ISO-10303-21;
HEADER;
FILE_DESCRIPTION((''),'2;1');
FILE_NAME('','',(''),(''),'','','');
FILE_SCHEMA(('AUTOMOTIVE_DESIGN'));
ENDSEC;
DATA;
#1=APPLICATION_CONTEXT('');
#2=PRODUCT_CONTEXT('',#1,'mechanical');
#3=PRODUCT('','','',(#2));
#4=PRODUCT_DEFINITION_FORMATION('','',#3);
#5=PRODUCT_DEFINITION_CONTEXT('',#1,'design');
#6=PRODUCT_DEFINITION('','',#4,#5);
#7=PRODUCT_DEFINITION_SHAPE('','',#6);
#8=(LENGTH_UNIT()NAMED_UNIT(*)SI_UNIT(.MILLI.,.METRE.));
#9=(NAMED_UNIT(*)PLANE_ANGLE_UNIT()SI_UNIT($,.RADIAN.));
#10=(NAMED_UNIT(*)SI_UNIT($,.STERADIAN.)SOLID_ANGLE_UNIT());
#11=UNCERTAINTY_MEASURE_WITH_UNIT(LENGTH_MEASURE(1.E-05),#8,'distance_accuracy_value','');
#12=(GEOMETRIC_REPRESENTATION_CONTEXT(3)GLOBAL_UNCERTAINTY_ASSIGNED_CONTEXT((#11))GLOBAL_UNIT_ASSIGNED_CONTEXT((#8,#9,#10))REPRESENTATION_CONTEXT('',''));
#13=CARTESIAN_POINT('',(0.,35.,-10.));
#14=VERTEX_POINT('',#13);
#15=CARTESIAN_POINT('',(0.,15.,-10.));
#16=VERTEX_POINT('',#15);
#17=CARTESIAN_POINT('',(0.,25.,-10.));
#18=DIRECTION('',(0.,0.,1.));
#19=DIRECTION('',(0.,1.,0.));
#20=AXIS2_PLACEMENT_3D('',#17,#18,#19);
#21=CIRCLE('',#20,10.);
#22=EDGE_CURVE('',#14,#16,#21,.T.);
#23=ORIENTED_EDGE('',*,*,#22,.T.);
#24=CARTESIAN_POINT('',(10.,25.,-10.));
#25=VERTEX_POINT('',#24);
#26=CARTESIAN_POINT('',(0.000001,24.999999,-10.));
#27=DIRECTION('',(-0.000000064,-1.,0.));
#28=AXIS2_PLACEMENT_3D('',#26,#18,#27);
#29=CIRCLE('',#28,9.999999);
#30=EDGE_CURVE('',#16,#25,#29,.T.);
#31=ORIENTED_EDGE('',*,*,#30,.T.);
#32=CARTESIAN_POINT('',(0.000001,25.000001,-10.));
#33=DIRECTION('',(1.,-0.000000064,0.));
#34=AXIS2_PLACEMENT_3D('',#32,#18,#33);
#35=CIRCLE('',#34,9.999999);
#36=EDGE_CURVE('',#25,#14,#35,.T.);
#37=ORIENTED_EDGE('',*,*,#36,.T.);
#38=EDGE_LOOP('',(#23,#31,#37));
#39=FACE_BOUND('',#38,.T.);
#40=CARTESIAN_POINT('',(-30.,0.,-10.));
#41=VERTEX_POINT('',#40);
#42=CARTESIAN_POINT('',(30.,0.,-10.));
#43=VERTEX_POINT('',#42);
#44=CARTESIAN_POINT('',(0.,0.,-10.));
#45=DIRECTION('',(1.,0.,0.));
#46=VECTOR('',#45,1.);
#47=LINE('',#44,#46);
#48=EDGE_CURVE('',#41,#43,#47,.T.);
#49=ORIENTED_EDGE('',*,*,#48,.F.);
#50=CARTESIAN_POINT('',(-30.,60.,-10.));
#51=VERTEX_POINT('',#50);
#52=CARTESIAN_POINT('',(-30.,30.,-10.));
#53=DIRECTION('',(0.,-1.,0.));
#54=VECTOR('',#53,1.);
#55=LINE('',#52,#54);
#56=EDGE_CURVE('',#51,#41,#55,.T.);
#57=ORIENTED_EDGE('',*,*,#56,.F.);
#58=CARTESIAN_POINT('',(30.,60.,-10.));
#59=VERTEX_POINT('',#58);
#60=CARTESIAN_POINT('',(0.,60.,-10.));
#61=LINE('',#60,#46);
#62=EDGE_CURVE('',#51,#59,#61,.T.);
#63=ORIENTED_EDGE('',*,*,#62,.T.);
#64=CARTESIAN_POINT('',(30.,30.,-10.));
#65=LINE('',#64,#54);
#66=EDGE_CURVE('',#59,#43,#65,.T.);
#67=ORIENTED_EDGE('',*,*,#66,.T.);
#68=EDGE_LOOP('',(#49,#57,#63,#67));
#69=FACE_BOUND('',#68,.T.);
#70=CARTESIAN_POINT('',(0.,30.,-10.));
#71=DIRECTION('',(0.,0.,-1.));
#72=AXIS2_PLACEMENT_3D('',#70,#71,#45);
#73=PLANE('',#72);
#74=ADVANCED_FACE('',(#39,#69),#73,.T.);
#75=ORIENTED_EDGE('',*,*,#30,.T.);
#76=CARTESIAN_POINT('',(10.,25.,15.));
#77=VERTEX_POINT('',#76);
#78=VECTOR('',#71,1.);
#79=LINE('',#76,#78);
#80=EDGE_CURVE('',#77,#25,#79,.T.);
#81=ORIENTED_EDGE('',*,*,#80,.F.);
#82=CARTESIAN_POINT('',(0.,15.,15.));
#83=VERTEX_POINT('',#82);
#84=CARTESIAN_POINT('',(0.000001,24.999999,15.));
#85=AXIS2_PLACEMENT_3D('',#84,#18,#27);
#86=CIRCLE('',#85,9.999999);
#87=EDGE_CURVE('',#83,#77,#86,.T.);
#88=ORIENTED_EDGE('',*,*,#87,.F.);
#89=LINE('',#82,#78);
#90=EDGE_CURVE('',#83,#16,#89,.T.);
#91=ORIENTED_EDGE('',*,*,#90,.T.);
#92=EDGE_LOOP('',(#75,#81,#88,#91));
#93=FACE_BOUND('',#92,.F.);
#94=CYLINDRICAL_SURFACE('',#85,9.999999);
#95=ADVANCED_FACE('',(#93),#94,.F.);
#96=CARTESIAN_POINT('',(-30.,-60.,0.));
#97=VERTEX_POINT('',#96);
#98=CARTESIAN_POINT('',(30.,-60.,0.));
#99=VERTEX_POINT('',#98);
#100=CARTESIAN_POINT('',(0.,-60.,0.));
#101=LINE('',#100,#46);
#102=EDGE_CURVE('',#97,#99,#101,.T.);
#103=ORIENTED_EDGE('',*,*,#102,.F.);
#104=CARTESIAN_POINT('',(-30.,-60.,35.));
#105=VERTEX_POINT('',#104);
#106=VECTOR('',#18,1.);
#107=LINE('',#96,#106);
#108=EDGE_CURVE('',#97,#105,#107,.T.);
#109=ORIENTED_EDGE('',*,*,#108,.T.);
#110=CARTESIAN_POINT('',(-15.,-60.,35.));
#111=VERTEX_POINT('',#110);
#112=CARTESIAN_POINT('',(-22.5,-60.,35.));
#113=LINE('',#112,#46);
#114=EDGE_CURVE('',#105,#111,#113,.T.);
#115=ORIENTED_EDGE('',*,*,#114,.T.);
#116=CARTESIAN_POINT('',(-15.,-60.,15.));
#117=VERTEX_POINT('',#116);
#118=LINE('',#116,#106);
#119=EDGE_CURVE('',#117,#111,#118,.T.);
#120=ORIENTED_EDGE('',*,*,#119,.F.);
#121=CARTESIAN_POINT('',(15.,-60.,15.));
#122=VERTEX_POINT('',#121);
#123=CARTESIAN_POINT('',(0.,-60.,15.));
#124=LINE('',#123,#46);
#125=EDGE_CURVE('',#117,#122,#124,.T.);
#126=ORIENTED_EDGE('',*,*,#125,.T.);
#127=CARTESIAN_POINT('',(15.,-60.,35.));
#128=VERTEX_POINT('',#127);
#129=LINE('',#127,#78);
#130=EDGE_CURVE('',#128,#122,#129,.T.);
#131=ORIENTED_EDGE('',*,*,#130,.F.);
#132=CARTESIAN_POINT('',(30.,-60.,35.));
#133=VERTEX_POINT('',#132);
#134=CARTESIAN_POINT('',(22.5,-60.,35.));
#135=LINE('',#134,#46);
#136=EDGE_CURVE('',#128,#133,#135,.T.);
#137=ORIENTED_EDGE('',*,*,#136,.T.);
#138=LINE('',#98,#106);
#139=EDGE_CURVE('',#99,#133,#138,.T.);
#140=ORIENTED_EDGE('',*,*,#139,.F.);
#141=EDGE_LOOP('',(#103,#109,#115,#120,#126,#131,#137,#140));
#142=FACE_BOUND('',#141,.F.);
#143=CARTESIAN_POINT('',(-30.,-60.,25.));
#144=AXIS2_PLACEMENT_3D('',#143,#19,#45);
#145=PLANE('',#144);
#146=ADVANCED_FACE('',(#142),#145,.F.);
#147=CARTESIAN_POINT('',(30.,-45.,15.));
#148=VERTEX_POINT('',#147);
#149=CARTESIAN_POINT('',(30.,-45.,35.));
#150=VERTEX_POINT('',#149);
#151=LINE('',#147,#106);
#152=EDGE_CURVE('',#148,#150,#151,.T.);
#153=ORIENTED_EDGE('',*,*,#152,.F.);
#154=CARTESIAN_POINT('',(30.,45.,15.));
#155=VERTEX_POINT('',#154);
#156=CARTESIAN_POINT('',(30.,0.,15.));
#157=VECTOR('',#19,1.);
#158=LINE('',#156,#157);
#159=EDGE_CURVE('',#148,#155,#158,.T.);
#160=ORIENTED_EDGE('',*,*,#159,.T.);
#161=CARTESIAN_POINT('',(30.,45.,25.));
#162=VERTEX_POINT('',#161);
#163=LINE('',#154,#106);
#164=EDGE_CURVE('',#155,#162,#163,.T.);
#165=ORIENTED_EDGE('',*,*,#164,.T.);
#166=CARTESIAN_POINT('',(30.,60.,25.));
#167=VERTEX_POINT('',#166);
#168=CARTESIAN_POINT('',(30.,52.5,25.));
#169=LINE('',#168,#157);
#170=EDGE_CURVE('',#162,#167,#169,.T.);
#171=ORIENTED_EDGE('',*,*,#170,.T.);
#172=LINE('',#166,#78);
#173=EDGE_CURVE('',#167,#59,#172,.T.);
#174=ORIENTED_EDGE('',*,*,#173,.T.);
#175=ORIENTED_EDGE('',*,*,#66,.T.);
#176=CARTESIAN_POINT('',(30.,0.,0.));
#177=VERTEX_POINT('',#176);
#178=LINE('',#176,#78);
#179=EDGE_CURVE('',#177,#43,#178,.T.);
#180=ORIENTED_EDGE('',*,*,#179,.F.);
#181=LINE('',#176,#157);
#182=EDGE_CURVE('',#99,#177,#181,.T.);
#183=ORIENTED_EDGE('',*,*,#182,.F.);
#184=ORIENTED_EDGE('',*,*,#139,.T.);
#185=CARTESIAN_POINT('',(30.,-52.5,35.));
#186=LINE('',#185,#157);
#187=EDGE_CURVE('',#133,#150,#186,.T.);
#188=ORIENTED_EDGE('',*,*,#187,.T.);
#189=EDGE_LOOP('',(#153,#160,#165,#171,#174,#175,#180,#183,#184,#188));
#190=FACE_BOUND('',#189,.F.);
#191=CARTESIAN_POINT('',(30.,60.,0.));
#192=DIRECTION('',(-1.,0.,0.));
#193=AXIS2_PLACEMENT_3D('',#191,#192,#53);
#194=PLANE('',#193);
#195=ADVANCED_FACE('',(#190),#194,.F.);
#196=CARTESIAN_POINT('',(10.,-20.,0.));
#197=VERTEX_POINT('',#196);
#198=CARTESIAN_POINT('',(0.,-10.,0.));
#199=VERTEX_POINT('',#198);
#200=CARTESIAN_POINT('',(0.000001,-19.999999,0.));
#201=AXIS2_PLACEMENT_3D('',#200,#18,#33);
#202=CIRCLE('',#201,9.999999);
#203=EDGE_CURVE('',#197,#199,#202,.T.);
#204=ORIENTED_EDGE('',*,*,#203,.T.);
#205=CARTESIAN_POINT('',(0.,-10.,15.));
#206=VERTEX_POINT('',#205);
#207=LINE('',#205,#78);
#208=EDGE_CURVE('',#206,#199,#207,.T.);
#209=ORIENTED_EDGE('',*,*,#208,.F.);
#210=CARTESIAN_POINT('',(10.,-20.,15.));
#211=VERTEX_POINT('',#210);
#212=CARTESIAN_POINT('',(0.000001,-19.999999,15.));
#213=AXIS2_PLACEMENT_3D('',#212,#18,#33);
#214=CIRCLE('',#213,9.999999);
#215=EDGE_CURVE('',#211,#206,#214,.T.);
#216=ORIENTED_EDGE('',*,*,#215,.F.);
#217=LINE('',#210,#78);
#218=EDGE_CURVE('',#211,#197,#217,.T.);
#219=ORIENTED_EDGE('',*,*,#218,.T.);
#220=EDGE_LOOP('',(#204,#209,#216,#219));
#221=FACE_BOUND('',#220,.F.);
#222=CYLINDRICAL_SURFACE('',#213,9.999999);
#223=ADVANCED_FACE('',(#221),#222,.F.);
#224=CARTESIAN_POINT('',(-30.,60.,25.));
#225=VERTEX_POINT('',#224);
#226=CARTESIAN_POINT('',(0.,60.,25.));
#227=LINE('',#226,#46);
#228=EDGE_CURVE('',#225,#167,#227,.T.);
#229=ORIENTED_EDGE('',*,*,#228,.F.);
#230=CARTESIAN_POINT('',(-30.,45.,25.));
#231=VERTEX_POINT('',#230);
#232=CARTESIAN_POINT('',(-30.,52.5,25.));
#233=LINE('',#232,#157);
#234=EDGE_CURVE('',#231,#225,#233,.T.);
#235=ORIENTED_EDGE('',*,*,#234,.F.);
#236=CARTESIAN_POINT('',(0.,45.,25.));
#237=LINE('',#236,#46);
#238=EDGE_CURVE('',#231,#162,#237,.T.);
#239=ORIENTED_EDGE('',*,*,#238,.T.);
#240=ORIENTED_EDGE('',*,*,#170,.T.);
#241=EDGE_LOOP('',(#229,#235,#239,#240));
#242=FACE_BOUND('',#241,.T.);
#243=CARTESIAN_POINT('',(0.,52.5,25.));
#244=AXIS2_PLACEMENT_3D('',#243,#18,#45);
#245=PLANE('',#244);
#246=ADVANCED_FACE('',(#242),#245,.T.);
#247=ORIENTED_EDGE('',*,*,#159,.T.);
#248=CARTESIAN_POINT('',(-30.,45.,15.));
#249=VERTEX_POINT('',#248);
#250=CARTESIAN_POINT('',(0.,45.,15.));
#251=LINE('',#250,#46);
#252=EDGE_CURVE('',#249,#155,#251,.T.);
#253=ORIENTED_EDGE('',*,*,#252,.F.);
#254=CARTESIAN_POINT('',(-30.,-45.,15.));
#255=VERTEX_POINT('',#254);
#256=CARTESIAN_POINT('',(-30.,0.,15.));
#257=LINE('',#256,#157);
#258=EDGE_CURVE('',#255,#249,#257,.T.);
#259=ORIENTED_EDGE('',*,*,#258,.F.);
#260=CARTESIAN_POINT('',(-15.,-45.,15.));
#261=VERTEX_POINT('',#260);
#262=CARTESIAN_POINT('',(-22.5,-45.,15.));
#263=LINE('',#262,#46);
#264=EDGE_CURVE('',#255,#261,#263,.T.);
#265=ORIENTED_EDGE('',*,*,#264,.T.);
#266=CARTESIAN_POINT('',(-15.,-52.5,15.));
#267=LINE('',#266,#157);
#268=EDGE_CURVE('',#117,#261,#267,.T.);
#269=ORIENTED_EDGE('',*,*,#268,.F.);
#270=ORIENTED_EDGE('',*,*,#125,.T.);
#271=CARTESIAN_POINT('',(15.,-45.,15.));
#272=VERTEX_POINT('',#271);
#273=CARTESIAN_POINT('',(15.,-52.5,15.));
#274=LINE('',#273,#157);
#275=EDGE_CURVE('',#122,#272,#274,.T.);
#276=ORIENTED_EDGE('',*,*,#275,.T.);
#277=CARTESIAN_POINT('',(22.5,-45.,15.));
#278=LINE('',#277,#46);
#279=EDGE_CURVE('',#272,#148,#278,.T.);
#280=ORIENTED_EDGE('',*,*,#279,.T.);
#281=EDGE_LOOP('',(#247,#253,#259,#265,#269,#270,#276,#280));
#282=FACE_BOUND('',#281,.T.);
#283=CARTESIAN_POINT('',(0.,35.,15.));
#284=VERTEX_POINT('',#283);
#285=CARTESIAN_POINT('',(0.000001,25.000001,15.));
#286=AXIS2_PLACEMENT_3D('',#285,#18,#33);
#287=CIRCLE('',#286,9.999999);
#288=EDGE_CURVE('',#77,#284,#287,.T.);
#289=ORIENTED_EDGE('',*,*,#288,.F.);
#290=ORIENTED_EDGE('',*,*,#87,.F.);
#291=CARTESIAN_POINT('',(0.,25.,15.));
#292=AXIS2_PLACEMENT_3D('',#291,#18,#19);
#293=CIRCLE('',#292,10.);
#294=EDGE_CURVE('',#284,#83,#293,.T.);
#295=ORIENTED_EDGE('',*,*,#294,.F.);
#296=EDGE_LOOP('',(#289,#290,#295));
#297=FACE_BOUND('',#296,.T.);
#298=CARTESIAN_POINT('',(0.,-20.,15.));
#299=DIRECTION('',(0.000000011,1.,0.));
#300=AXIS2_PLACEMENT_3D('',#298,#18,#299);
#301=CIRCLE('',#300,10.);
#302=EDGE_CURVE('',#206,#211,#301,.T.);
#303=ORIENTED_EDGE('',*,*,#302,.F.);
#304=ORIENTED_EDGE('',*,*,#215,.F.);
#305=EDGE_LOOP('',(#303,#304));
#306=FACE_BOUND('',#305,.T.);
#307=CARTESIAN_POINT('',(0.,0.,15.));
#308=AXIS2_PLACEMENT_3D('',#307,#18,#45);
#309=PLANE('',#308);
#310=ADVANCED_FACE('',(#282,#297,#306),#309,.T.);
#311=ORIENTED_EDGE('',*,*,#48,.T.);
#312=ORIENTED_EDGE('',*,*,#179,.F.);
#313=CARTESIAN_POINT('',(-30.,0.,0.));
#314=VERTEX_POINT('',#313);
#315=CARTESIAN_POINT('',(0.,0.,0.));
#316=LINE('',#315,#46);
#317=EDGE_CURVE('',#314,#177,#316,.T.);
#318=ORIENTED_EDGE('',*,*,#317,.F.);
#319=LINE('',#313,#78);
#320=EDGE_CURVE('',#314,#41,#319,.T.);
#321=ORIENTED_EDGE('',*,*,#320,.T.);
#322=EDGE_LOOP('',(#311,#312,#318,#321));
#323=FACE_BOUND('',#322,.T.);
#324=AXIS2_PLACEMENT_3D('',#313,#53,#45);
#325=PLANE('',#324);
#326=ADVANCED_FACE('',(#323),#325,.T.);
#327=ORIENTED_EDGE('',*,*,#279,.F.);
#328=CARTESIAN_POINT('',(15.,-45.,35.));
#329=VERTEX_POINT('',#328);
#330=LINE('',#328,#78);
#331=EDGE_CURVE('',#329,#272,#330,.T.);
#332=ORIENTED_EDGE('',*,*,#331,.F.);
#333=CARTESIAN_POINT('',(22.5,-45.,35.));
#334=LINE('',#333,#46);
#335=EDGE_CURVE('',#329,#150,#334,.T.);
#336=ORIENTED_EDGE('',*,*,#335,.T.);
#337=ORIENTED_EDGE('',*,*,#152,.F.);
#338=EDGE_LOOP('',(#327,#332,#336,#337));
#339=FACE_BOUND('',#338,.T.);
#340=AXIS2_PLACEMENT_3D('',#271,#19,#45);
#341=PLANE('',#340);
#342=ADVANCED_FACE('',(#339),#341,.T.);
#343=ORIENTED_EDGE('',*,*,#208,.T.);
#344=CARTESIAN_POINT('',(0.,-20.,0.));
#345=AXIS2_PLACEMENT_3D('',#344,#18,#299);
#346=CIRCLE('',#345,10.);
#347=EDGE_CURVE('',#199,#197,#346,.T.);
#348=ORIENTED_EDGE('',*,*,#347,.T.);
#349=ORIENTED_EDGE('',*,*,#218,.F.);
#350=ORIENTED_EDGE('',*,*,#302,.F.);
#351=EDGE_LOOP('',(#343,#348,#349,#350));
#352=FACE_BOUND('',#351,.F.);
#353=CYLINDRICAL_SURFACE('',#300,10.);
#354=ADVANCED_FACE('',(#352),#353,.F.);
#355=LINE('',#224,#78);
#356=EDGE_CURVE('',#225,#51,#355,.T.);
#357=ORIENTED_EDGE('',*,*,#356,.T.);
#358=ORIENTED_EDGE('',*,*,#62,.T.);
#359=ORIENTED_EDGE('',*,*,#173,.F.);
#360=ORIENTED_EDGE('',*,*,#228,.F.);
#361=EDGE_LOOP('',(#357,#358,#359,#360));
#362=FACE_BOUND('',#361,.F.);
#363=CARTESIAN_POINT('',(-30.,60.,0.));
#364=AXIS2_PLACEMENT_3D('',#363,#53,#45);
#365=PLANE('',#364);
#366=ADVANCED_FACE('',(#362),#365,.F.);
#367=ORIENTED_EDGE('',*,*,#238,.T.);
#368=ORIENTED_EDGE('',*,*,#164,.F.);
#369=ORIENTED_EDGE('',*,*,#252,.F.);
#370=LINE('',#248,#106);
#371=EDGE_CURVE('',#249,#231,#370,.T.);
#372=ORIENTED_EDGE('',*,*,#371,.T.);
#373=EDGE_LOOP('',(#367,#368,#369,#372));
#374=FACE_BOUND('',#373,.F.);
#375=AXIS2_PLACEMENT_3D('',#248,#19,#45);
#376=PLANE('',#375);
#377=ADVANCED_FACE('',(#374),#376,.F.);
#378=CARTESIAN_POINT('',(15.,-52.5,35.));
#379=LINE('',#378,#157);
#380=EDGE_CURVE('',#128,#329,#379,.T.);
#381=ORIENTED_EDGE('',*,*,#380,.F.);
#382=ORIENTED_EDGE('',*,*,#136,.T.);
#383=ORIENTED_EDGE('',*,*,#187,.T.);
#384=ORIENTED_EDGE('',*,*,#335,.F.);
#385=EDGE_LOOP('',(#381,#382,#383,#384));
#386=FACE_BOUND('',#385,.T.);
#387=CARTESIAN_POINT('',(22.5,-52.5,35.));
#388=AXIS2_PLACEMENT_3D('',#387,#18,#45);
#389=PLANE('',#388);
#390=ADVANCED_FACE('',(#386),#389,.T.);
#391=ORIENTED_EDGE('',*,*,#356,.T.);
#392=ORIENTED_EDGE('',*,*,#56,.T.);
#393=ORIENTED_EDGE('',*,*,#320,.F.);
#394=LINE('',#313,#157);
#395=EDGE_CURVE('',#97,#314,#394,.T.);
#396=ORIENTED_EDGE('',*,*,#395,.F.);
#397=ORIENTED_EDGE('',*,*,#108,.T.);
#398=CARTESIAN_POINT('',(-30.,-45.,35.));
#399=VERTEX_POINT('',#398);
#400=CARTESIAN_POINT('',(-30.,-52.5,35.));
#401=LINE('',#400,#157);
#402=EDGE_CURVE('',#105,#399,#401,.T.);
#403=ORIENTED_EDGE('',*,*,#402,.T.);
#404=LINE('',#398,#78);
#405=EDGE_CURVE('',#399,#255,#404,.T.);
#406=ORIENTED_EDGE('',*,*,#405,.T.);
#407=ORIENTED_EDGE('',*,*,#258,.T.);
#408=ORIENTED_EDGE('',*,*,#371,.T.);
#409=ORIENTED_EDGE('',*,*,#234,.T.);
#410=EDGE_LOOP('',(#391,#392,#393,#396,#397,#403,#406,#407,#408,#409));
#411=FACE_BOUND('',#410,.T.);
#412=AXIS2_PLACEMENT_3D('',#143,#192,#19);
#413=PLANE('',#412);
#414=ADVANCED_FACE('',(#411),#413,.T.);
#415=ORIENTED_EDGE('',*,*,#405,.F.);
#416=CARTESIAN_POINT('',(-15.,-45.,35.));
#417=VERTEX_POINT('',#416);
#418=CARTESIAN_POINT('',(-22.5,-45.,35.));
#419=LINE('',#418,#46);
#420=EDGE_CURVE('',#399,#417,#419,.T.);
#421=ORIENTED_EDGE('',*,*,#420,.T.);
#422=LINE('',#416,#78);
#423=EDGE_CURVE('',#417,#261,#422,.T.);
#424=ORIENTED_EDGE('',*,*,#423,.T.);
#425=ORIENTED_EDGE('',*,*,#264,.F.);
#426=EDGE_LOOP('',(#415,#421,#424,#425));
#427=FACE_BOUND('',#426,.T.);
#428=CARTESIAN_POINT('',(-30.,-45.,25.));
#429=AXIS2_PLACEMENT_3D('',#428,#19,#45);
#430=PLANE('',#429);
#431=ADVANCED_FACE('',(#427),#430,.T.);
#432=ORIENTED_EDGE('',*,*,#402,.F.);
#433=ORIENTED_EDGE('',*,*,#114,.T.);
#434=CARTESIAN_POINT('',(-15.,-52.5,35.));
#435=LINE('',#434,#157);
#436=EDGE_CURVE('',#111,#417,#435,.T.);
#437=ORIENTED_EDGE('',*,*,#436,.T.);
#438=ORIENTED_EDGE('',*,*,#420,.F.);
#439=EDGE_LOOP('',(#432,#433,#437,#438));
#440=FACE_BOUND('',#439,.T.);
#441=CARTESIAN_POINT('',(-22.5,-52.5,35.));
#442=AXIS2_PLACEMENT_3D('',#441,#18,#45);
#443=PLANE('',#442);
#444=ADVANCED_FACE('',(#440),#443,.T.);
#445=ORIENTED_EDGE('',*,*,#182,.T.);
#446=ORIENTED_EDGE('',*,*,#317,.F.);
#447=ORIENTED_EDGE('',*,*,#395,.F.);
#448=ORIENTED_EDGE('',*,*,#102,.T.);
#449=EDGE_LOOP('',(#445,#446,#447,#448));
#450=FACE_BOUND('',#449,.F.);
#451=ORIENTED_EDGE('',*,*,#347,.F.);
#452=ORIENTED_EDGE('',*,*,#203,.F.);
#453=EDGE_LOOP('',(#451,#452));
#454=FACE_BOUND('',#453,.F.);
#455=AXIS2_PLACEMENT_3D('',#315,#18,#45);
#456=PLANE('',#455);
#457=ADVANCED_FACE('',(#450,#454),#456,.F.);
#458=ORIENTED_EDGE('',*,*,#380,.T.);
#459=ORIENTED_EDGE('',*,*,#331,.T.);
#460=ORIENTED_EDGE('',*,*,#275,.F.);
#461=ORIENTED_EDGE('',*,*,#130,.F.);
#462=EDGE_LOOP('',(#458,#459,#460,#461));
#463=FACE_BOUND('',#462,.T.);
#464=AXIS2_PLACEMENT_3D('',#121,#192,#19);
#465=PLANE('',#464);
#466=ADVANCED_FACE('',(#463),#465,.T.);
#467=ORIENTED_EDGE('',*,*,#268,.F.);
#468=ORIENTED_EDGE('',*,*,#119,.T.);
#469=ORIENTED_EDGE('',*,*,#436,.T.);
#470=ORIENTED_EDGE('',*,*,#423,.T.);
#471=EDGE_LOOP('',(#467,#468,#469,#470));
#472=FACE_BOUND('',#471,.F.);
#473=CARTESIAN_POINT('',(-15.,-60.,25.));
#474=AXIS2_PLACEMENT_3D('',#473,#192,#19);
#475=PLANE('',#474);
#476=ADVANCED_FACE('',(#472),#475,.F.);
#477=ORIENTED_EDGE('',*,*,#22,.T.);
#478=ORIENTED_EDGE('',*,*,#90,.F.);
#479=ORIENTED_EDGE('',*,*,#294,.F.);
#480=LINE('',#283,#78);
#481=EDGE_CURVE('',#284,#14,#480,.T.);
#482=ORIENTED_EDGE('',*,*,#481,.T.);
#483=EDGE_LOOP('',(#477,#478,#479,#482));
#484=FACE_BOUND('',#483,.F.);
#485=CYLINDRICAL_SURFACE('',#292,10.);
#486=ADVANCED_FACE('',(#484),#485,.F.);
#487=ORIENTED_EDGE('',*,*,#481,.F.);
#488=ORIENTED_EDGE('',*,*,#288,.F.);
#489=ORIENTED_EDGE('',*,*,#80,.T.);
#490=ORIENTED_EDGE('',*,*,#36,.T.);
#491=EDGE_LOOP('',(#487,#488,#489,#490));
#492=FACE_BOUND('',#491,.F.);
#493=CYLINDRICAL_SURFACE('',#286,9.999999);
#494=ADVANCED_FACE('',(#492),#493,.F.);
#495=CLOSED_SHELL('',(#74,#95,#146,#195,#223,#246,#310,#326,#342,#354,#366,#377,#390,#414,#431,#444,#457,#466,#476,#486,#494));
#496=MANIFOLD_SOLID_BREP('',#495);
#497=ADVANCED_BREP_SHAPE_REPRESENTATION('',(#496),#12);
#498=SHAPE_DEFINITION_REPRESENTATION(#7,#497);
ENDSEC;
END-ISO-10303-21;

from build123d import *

# Parameters (mm, degrees)
F0_W      = 60
F0_H      = 120
F1_DEPTH  = 15
F2_W      = 60
F2_H      = 15
F3_DEPTH  = 10
F4_W      = 15
F4_H      = 15
F5_DEPTH  = 10
F6_W      = 60
F6_H      = 60
F7_DEPTH  = 10
F5_FACE_W = 15
F5_FACE_H = 15
F8_DEPTH  = 10
F10_DEPTH = 52.8


with BuildPart() as f1:
    # F0 (on Top) → F1 (new body)
    with BuildSketch(Plane.XY):
        Rectangle(F0_W, F0_H)
    extrude(amount=F1_DEPTH)

    # F2 (on face) → F3 (join)
    with BuildSketch(Plane.XY.offset(15)):
        with Locations((0, 52.5)):
            Rectangle(F2_W, F2_H)
    extrude(amount=F3_DEPTH)

    # F4 (on face) → F5 (join)
    with BuildSketch(Plane.XY.offset(15)):
        with Locations((-22.5, -52.5)):
            Rectangle(F4_W, F4_H)
        with Locations((22.5, -52.5)):
            Rectangle(F4_W, F4_H)
    extrude(amount=F5_DEPTH)

    # F6 (on face) → F7 (join)
    with BuildSketch(Plane(origin=(0, 0, 0), x_dir=(1, 0, 0), z_dir=(0, 0, -1))):
        with Locations((0, -30)):
            Rectangle(F6_W, F6_H)
    extrude(amount=F7_DEPTH)

    # F5_face (on face) → F8 (join)
    with BuildSketch(Plane(origin=(-22.5, -52.5, 25), x_dir=(1, 0, 0), z_dir=(0, 0, 1))):
        Rectangle(F5_FACE_W, F5_FACE_H)
        with Locations((45, 0)):
            Rectangle(F5_FACE_W, F5_FACE_H)
    extrude(amount=F8_DEPTH)

    # F9 (on face) → F10 (cut)
    with BuildSketch(Plane.XY.offset(15)):
        with BuildLine():
            ThreePointArc((10, 25), (7.071068, 32.071068), (0, 35))
            Line((0, 35), (0, 25))
            Line((0, 25), (0, 15))
            ThreePointArc((0, 15), (7.071068, 17.928932), (10, 25))
        make_face()
        with BuildLine():
            Line((0, 25), (0, 35))
            ThreePointArc((0, 35), (-10, 25), (0, 15))
            Line((0, 15), (0, 25))
        make_face()
        with BuildLine():
            ThreePointArc((10, -20), (7.071068, -12.928932), (0, -10))
            ThreePointArc((0, -10), (-7.071068, -27.071068), (10, -20))
        make_face()
    extrude(amount=-F10_DEPTH, mode=Mode.SUBTRACT)


solid = f1.part
